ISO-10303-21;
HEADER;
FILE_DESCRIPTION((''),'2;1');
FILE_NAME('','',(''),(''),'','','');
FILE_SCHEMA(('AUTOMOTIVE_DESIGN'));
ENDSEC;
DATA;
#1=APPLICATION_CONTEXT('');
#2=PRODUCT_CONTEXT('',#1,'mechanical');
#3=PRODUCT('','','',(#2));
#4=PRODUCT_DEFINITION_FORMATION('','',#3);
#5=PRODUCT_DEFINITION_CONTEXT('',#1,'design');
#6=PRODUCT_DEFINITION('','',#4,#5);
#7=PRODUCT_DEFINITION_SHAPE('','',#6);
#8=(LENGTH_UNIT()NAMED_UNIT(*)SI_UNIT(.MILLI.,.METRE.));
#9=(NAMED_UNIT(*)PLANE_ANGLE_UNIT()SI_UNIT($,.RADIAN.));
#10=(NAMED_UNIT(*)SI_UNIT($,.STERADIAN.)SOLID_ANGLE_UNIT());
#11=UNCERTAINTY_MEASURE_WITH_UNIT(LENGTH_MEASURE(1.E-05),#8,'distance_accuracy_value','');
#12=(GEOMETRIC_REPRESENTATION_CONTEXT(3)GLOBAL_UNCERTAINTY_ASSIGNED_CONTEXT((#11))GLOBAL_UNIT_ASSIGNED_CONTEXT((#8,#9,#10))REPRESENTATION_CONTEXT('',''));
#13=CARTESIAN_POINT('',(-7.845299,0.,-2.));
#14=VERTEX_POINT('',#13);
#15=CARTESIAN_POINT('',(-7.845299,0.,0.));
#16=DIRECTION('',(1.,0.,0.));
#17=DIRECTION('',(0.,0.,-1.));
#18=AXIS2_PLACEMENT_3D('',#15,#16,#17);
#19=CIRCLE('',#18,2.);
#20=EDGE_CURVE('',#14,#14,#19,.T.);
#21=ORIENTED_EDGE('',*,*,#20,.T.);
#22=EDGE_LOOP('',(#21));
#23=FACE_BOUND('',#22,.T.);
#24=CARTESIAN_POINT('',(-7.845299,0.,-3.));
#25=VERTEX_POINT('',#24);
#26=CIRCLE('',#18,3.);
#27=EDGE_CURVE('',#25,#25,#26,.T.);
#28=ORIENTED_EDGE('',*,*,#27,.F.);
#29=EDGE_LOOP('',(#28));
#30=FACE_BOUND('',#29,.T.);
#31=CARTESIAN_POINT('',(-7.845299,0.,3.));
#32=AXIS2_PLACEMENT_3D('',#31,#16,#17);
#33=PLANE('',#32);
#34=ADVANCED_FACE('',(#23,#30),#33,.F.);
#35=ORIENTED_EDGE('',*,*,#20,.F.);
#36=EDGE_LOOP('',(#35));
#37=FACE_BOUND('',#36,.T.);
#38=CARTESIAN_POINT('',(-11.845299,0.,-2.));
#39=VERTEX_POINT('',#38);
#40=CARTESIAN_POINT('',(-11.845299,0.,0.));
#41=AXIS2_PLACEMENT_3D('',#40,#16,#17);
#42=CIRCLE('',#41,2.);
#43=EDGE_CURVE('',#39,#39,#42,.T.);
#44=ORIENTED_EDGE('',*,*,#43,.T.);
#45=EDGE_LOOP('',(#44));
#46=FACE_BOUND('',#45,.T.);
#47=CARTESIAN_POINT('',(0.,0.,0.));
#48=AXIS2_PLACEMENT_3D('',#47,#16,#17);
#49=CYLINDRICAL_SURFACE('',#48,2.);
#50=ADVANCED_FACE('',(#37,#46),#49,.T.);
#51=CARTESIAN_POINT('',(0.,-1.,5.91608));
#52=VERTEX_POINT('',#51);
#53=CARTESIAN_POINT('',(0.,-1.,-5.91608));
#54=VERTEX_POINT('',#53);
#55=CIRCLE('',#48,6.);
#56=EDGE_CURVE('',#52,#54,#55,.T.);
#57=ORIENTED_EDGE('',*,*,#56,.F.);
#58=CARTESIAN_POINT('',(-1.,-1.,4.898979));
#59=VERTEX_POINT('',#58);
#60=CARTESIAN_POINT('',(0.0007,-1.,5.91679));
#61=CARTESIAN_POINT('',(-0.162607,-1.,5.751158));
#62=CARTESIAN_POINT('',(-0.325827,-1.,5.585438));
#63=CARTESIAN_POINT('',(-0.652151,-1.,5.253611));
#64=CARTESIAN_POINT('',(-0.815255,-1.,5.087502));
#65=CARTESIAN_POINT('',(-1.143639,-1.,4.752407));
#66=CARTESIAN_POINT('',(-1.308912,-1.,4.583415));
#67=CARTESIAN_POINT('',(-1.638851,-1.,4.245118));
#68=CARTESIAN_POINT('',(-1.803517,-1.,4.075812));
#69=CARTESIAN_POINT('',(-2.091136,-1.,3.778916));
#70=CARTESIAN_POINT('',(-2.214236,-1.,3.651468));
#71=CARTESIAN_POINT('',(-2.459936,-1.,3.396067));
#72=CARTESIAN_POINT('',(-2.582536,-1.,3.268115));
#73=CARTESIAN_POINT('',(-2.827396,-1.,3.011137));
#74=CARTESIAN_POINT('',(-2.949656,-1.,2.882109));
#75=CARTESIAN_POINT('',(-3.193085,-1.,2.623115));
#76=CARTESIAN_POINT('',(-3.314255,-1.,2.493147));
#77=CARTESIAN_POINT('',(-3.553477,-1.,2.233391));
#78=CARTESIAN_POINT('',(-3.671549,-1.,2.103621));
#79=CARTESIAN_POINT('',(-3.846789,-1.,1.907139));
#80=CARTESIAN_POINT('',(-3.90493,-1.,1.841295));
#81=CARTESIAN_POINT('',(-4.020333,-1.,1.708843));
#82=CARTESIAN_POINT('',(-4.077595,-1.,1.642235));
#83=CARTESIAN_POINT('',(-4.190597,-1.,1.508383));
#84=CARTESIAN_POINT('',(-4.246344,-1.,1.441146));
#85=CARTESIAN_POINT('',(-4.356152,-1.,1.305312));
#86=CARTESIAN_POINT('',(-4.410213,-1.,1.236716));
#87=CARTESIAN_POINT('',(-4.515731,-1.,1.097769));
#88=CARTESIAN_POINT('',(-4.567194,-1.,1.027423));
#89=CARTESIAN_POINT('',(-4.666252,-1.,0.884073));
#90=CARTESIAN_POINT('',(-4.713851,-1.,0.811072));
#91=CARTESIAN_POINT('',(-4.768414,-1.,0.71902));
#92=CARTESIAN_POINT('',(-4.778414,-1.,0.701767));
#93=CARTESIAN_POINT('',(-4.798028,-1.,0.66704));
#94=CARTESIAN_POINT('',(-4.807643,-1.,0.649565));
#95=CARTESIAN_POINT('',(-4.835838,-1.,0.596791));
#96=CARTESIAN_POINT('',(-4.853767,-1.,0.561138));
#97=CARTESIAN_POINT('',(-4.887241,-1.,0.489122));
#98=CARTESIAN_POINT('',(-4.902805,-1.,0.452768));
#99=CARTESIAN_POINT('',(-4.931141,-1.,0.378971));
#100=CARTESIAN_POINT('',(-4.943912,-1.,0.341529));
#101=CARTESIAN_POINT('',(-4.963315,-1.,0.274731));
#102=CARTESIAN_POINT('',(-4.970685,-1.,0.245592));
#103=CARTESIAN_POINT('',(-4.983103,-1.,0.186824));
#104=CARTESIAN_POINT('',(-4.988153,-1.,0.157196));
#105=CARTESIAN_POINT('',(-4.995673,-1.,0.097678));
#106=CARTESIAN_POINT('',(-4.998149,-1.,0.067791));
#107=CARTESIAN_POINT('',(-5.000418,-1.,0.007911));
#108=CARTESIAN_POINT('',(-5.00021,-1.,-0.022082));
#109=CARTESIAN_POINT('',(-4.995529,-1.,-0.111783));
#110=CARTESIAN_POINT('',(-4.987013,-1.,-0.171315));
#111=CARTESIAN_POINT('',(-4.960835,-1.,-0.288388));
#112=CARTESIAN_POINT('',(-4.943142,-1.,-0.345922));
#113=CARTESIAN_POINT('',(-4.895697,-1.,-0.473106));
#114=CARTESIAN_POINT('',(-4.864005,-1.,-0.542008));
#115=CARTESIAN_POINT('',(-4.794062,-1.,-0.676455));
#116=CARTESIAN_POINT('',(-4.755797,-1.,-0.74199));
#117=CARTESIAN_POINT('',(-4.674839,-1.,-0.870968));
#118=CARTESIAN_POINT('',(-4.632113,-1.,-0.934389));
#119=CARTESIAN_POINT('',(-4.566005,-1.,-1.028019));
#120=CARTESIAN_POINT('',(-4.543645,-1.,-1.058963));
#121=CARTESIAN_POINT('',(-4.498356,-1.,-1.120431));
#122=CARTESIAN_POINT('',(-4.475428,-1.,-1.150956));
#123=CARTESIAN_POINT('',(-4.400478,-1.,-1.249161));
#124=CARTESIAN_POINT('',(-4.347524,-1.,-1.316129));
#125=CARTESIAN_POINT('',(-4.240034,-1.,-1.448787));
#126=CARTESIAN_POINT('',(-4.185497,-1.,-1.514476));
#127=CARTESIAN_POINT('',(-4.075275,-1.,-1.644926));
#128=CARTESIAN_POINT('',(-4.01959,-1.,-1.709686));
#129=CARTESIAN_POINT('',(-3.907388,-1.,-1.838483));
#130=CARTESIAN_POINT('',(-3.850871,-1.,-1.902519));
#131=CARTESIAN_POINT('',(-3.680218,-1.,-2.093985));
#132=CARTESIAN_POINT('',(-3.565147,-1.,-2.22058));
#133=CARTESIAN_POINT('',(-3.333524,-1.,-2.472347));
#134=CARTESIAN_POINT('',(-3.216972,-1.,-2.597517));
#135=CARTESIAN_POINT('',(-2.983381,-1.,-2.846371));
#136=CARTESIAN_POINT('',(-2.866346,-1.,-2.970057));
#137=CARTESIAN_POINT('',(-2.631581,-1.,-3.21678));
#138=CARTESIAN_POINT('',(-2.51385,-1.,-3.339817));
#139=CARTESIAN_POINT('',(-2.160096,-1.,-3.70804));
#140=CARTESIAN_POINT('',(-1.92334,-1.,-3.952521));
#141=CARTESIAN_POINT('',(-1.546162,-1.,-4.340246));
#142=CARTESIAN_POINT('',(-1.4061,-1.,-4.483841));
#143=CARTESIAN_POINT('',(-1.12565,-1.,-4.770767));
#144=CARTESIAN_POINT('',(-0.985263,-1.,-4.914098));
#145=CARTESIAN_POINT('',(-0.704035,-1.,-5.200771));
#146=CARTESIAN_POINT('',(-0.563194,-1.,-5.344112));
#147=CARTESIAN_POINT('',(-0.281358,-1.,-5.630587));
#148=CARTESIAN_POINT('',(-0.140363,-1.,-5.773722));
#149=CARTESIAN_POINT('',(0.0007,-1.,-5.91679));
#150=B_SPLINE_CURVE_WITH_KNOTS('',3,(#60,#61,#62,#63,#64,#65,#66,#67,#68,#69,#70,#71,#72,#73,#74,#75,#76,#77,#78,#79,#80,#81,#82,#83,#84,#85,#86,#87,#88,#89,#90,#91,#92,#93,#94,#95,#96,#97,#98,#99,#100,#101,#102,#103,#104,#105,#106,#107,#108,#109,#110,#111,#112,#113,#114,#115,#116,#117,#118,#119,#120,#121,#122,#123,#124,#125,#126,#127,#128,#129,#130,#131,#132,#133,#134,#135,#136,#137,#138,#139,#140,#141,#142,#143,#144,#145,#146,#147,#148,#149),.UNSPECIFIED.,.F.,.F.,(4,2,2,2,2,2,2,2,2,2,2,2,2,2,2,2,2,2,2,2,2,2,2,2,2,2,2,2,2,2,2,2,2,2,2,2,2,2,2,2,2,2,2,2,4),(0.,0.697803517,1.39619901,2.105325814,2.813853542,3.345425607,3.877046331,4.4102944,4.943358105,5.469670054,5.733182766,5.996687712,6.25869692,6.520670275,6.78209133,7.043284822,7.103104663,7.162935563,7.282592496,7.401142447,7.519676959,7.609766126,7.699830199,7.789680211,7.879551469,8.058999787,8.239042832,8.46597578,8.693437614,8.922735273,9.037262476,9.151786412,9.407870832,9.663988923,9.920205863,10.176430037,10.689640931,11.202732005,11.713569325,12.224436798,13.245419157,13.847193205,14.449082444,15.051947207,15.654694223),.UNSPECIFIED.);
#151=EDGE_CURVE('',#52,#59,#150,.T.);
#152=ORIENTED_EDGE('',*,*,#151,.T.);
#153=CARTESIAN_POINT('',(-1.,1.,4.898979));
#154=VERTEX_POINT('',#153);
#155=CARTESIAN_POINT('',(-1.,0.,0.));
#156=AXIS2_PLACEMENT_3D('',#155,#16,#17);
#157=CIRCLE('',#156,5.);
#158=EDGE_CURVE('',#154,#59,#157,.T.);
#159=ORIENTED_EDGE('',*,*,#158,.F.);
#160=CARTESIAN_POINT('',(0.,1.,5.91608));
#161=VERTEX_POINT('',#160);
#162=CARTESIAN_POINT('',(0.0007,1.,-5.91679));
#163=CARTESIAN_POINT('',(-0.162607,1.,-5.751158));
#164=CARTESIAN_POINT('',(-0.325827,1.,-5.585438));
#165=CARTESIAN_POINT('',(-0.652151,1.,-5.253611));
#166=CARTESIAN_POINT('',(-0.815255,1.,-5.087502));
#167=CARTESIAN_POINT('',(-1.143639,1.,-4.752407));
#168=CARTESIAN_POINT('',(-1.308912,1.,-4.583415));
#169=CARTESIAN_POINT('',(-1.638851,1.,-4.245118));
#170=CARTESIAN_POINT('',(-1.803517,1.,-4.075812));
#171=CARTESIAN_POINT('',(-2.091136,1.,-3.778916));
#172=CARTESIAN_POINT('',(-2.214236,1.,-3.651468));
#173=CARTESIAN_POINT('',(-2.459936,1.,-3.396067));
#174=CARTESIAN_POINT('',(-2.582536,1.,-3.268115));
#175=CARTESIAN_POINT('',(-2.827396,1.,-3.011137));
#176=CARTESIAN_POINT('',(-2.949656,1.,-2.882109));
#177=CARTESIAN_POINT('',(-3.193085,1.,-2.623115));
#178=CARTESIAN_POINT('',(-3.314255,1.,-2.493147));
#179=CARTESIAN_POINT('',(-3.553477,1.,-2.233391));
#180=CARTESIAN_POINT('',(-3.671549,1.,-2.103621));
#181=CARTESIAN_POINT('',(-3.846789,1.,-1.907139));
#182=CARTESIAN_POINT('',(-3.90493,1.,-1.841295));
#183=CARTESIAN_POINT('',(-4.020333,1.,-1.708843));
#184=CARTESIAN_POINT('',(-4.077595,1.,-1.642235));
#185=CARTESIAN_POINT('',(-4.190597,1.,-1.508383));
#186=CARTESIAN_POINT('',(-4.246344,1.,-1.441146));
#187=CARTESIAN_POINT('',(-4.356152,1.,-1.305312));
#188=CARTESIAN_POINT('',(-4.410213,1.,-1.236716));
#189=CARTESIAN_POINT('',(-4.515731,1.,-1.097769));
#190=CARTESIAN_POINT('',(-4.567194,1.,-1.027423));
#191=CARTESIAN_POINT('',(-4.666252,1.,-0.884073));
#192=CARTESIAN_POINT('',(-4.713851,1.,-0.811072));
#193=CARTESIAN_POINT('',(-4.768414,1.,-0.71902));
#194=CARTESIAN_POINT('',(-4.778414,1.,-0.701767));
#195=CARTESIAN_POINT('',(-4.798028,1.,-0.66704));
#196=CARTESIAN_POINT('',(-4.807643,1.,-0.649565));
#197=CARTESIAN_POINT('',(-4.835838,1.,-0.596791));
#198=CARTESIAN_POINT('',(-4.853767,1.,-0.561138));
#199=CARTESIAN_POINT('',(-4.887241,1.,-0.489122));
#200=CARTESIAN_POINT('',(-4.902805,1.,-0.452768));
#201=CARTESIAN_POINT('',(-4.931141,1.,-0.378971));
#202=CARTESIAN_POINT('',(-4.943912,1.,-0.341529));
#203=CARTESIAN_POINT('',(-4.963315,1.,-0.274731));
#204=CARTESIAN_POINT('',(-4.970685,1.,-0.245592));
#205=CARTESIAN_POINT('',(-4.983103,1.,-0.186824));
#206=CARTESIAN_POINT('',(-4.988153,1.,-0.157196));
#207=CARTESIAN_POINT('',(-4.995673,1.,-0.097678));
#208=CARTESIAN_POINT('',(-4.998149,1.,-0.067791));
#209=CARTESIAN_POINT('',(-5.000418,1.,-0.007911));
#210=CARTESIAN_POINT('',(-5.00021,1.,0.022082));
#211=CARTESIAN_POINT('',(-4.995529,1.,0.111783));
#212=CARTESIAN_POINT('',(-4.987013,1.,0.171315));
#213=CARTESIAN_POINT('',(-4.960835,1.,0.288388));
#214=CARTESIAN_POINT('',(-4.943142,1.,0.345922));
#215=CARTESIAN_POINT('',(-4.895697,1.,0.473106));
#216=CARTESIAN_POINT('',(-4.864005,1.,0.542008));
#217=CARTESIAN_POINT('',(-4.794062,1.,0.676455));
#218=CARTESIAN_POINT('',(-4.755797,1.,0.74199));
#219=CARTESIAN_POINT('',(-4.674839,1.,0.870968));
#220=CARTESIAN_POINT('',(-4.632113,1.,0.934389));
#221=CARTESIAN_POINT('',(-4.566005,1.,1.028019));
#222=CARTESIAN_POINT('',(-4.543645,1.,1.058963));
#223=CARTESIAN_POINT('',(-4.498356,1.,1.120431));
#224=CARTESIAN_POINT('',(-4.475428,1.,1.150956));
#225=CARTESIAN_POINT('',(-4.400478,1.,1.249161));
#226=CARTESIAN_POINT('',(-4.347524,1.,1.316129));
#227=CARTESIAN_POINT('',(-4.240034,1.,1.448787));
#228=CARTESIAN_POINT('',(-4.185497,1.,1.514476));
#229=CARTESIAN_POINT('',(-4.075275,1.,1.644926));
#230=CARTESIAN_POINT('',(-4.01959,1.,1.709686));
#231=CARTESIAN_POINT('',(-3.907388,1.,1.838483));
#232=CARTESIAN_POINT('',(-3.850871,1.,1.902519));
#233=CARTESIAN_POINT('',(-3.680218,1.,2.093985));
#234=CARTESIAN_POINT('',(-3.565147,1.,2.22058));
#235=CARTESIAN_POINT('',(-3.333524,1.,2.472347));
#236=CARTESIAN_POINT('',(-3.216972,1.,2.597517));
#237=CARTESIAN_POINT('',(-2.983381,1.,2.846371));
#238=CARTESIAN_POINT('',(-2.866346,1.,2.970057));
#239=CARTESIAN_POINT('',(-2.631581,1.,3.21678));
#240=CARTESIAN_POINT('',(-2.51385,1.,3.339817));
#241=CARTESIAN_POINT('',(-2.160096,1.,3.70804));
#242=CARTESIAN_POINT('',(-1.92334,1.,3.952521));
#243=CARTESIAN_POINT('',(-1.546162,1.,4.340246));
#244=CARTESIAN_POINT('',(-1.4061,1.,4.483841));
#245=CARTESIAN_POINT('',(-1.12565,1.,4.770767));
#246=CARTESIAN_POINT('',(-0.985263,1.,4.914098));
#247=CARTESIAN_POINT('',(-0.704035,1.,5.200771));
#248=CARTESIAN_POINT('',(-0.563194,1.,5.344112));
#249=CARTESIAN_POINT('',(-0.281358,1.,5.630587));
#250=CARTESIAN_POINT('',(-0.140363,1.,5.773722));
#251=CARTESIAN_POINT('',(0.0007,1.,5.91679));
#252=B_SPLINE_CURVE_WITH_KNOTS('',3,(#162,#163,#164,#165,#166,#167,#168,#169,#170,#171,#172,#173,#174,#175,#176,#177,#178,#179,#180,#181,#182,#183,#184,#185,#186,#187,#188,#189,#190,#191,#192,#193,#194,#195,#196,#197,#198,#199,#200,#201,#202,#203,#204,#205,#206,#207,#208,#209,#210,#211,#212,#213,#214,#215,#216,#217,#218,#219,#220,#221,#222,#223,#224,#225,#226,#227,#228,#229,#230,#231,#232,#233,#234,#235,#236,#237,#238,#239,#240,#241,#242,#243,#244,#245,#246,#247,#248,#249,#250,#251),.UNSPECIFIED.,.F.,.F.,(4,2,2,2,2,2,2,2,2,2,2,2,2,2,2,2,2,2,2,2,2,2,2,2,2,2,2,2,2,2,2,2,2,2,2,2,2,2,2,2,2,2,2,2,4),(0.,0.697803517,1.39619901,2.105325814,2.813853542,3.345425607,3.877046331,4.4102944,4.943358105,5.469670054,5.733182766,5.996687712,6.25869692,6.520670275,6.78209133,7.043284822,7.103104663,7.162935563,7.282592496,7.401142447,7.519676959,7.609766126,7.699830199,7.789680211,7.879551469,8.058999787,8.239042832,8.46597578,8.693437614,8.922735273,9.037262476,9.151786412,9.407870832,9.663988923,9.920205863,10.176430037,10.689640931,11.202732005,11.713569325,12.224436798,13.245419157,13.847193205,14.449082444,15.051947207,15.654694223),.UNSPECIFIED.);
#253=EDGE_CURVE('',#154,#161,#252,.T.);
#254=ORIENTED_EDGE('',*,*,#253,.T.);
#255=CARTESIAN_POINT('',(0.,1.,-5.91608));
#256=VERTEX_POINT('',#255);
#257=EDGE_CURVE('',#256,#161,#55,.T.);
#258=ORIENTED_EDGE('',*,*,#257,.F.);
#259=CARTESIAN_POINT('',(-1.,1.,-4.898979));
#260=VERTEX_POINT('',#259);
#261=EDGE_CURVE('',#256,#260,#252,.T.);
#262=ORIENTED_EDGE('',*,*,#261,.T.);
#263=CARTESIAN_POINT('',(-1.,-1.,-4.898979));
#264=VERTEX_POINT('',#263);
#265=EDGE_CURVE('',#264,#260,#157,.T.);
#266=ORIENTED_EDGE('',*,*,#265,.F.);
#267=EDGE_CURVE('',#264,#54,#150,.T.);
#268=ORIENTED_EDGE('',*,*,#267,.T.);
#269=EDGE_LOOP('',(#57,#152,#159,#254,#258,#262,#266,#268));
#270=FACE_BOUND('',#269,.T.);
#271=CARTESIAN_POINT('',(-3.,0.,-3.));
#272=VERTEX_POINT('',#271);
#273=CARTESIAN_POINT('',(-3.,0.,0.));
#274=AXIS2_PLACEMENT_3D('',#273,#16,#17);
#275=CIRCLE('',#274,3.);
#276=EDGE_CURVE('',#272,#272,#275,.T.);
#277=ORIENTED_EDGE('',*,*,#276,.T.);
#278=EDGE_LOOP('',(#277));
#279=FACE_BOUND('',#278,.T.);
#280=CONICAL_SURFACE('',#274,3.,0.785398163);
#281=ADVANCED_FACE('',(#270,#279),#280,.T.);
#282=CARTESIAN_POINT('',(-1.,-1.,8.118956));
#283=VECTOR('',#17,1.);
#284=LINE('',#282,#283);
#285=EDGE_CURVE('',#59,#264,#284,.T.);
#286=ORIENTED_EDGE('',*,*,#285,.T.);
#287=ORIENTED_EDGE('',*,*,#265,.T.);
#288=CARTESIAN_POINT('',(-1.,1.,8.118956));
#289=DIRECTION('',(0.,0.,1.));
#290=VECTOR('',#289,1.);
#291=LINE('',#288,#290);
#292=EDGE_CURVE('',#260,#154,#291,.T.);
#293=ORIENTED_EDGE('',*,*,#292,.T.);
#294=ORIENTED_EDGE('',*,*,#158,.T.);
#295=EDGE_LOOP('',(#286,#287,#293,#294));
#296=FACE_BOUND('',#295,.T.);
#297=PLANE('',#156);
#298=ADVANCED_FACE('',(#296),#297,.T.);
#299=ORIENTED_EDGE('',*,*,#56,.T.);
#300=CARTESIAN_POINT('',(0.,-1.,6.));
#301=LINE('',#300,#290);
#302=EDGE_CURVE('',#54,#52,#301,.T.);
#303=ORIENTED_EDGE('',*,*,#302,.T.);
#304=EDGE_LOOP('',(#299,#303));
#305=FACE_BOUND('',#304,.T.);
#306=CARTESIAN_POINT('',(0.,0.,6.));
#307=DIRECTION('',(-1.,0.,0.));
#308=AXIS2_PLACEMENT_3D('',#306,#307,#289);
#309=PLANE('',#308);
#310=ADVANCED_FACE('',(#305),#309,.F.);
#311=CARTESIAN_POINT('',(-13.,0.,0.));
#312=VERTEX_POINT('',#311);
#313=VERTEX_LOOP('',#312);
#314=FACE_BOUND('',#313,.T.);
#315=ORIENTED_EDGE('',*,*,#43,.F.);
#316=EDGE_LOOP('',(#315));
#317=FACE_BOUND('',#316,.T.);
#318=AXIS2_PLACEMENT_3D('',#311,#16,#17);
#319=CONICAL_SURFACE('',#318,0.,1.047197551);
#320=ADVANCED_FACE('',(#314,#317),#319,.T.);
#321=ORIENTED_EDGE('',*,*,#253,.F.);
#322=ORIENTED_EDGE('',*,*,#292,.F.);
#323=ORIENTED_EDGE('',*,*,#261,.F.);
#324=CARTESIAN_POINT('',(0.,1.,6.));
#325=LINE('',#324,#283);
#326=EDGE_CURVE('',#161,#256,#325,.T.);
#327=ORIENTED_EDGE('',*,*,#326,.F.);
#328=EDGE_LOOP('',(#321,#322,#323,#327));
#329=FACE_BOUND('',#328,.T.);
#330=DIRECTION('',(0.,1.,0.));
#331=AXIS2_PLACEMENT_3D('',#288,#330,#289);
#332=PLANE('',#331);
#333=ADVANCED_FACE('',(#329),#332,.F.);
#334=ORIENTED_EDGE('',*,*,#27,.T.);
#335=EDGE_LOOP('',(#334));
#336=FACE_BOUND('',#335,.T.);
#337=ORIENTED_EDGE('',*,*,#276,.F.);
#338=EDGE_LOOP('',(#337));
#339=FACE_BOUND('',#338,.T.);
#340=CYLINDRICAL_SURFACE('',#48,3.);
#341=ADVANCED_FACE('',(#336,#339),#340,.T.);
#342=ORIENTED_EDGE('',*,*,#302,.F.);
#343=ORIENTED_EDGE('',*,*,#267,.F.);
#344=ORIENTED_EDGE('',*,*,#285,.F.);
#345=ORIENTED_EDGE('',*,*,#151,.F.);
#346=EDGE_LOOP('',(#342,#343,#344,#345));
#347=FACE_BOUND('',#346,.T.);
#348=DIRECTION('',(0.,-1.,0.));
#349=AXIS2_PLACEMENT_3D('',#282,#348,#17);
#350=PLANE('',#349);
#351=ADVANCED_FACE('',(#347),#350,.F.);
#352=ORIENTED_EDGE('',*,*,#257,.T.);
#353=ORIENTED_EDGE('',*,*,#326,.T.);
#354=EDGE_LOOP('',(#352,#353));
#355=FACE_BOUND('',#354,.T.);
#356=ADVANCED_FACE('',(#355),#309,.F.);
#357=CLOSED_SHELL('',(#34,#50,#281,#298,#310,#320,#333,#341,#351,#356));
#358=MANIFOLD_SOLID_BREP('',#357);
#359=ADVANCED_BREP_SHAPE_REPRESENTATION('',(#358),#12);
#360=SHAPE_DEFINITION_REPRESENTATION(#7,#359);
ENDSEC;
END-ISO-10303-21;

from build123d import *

# Parameters (mm, degrees)
SKETCH2_W          = 16.237911894
SKETCH2_H          = 2
CUT_EXTRUDE1_DEPTH = 1


with BuildPart() as part:
    # Sketch1 → Revolve1 (revolve)
    with BuildSketch(Plane(origin=(0, 0, 0), x_dir=(1, 0, 0), z_dir=(0, 1, 0)), mode=Mode.PRIVATE) as revolve1_sk:
        Polygon((-3, -3), (0, -6), (0, 0), (-13, 0), (-11.845299462, -2), (-7.845299462, -2), (-7.845299462, -3), align=None)
    revolve(revolve1_sk.sketch.rotate(Axis((0, 0, 0), (-1, 0, 0)), 180), axis=Axis((0, 0, 0), (-1, 0, 0)))

    # Sketch2 → Cut-Extrude1 (cut)
    with BuildSketch(Plane(origin=(0, 0, 0), x_dir=(0, 0, -1), z_dir=(1, 0, 0))):
        Rectangle(SKETCH2_W, SKETCH2_H)
    extrude(amount=-CUT_EXTRUDE1_DEPTH, mode=Mode.SUBTRACT)


solid = part.part
